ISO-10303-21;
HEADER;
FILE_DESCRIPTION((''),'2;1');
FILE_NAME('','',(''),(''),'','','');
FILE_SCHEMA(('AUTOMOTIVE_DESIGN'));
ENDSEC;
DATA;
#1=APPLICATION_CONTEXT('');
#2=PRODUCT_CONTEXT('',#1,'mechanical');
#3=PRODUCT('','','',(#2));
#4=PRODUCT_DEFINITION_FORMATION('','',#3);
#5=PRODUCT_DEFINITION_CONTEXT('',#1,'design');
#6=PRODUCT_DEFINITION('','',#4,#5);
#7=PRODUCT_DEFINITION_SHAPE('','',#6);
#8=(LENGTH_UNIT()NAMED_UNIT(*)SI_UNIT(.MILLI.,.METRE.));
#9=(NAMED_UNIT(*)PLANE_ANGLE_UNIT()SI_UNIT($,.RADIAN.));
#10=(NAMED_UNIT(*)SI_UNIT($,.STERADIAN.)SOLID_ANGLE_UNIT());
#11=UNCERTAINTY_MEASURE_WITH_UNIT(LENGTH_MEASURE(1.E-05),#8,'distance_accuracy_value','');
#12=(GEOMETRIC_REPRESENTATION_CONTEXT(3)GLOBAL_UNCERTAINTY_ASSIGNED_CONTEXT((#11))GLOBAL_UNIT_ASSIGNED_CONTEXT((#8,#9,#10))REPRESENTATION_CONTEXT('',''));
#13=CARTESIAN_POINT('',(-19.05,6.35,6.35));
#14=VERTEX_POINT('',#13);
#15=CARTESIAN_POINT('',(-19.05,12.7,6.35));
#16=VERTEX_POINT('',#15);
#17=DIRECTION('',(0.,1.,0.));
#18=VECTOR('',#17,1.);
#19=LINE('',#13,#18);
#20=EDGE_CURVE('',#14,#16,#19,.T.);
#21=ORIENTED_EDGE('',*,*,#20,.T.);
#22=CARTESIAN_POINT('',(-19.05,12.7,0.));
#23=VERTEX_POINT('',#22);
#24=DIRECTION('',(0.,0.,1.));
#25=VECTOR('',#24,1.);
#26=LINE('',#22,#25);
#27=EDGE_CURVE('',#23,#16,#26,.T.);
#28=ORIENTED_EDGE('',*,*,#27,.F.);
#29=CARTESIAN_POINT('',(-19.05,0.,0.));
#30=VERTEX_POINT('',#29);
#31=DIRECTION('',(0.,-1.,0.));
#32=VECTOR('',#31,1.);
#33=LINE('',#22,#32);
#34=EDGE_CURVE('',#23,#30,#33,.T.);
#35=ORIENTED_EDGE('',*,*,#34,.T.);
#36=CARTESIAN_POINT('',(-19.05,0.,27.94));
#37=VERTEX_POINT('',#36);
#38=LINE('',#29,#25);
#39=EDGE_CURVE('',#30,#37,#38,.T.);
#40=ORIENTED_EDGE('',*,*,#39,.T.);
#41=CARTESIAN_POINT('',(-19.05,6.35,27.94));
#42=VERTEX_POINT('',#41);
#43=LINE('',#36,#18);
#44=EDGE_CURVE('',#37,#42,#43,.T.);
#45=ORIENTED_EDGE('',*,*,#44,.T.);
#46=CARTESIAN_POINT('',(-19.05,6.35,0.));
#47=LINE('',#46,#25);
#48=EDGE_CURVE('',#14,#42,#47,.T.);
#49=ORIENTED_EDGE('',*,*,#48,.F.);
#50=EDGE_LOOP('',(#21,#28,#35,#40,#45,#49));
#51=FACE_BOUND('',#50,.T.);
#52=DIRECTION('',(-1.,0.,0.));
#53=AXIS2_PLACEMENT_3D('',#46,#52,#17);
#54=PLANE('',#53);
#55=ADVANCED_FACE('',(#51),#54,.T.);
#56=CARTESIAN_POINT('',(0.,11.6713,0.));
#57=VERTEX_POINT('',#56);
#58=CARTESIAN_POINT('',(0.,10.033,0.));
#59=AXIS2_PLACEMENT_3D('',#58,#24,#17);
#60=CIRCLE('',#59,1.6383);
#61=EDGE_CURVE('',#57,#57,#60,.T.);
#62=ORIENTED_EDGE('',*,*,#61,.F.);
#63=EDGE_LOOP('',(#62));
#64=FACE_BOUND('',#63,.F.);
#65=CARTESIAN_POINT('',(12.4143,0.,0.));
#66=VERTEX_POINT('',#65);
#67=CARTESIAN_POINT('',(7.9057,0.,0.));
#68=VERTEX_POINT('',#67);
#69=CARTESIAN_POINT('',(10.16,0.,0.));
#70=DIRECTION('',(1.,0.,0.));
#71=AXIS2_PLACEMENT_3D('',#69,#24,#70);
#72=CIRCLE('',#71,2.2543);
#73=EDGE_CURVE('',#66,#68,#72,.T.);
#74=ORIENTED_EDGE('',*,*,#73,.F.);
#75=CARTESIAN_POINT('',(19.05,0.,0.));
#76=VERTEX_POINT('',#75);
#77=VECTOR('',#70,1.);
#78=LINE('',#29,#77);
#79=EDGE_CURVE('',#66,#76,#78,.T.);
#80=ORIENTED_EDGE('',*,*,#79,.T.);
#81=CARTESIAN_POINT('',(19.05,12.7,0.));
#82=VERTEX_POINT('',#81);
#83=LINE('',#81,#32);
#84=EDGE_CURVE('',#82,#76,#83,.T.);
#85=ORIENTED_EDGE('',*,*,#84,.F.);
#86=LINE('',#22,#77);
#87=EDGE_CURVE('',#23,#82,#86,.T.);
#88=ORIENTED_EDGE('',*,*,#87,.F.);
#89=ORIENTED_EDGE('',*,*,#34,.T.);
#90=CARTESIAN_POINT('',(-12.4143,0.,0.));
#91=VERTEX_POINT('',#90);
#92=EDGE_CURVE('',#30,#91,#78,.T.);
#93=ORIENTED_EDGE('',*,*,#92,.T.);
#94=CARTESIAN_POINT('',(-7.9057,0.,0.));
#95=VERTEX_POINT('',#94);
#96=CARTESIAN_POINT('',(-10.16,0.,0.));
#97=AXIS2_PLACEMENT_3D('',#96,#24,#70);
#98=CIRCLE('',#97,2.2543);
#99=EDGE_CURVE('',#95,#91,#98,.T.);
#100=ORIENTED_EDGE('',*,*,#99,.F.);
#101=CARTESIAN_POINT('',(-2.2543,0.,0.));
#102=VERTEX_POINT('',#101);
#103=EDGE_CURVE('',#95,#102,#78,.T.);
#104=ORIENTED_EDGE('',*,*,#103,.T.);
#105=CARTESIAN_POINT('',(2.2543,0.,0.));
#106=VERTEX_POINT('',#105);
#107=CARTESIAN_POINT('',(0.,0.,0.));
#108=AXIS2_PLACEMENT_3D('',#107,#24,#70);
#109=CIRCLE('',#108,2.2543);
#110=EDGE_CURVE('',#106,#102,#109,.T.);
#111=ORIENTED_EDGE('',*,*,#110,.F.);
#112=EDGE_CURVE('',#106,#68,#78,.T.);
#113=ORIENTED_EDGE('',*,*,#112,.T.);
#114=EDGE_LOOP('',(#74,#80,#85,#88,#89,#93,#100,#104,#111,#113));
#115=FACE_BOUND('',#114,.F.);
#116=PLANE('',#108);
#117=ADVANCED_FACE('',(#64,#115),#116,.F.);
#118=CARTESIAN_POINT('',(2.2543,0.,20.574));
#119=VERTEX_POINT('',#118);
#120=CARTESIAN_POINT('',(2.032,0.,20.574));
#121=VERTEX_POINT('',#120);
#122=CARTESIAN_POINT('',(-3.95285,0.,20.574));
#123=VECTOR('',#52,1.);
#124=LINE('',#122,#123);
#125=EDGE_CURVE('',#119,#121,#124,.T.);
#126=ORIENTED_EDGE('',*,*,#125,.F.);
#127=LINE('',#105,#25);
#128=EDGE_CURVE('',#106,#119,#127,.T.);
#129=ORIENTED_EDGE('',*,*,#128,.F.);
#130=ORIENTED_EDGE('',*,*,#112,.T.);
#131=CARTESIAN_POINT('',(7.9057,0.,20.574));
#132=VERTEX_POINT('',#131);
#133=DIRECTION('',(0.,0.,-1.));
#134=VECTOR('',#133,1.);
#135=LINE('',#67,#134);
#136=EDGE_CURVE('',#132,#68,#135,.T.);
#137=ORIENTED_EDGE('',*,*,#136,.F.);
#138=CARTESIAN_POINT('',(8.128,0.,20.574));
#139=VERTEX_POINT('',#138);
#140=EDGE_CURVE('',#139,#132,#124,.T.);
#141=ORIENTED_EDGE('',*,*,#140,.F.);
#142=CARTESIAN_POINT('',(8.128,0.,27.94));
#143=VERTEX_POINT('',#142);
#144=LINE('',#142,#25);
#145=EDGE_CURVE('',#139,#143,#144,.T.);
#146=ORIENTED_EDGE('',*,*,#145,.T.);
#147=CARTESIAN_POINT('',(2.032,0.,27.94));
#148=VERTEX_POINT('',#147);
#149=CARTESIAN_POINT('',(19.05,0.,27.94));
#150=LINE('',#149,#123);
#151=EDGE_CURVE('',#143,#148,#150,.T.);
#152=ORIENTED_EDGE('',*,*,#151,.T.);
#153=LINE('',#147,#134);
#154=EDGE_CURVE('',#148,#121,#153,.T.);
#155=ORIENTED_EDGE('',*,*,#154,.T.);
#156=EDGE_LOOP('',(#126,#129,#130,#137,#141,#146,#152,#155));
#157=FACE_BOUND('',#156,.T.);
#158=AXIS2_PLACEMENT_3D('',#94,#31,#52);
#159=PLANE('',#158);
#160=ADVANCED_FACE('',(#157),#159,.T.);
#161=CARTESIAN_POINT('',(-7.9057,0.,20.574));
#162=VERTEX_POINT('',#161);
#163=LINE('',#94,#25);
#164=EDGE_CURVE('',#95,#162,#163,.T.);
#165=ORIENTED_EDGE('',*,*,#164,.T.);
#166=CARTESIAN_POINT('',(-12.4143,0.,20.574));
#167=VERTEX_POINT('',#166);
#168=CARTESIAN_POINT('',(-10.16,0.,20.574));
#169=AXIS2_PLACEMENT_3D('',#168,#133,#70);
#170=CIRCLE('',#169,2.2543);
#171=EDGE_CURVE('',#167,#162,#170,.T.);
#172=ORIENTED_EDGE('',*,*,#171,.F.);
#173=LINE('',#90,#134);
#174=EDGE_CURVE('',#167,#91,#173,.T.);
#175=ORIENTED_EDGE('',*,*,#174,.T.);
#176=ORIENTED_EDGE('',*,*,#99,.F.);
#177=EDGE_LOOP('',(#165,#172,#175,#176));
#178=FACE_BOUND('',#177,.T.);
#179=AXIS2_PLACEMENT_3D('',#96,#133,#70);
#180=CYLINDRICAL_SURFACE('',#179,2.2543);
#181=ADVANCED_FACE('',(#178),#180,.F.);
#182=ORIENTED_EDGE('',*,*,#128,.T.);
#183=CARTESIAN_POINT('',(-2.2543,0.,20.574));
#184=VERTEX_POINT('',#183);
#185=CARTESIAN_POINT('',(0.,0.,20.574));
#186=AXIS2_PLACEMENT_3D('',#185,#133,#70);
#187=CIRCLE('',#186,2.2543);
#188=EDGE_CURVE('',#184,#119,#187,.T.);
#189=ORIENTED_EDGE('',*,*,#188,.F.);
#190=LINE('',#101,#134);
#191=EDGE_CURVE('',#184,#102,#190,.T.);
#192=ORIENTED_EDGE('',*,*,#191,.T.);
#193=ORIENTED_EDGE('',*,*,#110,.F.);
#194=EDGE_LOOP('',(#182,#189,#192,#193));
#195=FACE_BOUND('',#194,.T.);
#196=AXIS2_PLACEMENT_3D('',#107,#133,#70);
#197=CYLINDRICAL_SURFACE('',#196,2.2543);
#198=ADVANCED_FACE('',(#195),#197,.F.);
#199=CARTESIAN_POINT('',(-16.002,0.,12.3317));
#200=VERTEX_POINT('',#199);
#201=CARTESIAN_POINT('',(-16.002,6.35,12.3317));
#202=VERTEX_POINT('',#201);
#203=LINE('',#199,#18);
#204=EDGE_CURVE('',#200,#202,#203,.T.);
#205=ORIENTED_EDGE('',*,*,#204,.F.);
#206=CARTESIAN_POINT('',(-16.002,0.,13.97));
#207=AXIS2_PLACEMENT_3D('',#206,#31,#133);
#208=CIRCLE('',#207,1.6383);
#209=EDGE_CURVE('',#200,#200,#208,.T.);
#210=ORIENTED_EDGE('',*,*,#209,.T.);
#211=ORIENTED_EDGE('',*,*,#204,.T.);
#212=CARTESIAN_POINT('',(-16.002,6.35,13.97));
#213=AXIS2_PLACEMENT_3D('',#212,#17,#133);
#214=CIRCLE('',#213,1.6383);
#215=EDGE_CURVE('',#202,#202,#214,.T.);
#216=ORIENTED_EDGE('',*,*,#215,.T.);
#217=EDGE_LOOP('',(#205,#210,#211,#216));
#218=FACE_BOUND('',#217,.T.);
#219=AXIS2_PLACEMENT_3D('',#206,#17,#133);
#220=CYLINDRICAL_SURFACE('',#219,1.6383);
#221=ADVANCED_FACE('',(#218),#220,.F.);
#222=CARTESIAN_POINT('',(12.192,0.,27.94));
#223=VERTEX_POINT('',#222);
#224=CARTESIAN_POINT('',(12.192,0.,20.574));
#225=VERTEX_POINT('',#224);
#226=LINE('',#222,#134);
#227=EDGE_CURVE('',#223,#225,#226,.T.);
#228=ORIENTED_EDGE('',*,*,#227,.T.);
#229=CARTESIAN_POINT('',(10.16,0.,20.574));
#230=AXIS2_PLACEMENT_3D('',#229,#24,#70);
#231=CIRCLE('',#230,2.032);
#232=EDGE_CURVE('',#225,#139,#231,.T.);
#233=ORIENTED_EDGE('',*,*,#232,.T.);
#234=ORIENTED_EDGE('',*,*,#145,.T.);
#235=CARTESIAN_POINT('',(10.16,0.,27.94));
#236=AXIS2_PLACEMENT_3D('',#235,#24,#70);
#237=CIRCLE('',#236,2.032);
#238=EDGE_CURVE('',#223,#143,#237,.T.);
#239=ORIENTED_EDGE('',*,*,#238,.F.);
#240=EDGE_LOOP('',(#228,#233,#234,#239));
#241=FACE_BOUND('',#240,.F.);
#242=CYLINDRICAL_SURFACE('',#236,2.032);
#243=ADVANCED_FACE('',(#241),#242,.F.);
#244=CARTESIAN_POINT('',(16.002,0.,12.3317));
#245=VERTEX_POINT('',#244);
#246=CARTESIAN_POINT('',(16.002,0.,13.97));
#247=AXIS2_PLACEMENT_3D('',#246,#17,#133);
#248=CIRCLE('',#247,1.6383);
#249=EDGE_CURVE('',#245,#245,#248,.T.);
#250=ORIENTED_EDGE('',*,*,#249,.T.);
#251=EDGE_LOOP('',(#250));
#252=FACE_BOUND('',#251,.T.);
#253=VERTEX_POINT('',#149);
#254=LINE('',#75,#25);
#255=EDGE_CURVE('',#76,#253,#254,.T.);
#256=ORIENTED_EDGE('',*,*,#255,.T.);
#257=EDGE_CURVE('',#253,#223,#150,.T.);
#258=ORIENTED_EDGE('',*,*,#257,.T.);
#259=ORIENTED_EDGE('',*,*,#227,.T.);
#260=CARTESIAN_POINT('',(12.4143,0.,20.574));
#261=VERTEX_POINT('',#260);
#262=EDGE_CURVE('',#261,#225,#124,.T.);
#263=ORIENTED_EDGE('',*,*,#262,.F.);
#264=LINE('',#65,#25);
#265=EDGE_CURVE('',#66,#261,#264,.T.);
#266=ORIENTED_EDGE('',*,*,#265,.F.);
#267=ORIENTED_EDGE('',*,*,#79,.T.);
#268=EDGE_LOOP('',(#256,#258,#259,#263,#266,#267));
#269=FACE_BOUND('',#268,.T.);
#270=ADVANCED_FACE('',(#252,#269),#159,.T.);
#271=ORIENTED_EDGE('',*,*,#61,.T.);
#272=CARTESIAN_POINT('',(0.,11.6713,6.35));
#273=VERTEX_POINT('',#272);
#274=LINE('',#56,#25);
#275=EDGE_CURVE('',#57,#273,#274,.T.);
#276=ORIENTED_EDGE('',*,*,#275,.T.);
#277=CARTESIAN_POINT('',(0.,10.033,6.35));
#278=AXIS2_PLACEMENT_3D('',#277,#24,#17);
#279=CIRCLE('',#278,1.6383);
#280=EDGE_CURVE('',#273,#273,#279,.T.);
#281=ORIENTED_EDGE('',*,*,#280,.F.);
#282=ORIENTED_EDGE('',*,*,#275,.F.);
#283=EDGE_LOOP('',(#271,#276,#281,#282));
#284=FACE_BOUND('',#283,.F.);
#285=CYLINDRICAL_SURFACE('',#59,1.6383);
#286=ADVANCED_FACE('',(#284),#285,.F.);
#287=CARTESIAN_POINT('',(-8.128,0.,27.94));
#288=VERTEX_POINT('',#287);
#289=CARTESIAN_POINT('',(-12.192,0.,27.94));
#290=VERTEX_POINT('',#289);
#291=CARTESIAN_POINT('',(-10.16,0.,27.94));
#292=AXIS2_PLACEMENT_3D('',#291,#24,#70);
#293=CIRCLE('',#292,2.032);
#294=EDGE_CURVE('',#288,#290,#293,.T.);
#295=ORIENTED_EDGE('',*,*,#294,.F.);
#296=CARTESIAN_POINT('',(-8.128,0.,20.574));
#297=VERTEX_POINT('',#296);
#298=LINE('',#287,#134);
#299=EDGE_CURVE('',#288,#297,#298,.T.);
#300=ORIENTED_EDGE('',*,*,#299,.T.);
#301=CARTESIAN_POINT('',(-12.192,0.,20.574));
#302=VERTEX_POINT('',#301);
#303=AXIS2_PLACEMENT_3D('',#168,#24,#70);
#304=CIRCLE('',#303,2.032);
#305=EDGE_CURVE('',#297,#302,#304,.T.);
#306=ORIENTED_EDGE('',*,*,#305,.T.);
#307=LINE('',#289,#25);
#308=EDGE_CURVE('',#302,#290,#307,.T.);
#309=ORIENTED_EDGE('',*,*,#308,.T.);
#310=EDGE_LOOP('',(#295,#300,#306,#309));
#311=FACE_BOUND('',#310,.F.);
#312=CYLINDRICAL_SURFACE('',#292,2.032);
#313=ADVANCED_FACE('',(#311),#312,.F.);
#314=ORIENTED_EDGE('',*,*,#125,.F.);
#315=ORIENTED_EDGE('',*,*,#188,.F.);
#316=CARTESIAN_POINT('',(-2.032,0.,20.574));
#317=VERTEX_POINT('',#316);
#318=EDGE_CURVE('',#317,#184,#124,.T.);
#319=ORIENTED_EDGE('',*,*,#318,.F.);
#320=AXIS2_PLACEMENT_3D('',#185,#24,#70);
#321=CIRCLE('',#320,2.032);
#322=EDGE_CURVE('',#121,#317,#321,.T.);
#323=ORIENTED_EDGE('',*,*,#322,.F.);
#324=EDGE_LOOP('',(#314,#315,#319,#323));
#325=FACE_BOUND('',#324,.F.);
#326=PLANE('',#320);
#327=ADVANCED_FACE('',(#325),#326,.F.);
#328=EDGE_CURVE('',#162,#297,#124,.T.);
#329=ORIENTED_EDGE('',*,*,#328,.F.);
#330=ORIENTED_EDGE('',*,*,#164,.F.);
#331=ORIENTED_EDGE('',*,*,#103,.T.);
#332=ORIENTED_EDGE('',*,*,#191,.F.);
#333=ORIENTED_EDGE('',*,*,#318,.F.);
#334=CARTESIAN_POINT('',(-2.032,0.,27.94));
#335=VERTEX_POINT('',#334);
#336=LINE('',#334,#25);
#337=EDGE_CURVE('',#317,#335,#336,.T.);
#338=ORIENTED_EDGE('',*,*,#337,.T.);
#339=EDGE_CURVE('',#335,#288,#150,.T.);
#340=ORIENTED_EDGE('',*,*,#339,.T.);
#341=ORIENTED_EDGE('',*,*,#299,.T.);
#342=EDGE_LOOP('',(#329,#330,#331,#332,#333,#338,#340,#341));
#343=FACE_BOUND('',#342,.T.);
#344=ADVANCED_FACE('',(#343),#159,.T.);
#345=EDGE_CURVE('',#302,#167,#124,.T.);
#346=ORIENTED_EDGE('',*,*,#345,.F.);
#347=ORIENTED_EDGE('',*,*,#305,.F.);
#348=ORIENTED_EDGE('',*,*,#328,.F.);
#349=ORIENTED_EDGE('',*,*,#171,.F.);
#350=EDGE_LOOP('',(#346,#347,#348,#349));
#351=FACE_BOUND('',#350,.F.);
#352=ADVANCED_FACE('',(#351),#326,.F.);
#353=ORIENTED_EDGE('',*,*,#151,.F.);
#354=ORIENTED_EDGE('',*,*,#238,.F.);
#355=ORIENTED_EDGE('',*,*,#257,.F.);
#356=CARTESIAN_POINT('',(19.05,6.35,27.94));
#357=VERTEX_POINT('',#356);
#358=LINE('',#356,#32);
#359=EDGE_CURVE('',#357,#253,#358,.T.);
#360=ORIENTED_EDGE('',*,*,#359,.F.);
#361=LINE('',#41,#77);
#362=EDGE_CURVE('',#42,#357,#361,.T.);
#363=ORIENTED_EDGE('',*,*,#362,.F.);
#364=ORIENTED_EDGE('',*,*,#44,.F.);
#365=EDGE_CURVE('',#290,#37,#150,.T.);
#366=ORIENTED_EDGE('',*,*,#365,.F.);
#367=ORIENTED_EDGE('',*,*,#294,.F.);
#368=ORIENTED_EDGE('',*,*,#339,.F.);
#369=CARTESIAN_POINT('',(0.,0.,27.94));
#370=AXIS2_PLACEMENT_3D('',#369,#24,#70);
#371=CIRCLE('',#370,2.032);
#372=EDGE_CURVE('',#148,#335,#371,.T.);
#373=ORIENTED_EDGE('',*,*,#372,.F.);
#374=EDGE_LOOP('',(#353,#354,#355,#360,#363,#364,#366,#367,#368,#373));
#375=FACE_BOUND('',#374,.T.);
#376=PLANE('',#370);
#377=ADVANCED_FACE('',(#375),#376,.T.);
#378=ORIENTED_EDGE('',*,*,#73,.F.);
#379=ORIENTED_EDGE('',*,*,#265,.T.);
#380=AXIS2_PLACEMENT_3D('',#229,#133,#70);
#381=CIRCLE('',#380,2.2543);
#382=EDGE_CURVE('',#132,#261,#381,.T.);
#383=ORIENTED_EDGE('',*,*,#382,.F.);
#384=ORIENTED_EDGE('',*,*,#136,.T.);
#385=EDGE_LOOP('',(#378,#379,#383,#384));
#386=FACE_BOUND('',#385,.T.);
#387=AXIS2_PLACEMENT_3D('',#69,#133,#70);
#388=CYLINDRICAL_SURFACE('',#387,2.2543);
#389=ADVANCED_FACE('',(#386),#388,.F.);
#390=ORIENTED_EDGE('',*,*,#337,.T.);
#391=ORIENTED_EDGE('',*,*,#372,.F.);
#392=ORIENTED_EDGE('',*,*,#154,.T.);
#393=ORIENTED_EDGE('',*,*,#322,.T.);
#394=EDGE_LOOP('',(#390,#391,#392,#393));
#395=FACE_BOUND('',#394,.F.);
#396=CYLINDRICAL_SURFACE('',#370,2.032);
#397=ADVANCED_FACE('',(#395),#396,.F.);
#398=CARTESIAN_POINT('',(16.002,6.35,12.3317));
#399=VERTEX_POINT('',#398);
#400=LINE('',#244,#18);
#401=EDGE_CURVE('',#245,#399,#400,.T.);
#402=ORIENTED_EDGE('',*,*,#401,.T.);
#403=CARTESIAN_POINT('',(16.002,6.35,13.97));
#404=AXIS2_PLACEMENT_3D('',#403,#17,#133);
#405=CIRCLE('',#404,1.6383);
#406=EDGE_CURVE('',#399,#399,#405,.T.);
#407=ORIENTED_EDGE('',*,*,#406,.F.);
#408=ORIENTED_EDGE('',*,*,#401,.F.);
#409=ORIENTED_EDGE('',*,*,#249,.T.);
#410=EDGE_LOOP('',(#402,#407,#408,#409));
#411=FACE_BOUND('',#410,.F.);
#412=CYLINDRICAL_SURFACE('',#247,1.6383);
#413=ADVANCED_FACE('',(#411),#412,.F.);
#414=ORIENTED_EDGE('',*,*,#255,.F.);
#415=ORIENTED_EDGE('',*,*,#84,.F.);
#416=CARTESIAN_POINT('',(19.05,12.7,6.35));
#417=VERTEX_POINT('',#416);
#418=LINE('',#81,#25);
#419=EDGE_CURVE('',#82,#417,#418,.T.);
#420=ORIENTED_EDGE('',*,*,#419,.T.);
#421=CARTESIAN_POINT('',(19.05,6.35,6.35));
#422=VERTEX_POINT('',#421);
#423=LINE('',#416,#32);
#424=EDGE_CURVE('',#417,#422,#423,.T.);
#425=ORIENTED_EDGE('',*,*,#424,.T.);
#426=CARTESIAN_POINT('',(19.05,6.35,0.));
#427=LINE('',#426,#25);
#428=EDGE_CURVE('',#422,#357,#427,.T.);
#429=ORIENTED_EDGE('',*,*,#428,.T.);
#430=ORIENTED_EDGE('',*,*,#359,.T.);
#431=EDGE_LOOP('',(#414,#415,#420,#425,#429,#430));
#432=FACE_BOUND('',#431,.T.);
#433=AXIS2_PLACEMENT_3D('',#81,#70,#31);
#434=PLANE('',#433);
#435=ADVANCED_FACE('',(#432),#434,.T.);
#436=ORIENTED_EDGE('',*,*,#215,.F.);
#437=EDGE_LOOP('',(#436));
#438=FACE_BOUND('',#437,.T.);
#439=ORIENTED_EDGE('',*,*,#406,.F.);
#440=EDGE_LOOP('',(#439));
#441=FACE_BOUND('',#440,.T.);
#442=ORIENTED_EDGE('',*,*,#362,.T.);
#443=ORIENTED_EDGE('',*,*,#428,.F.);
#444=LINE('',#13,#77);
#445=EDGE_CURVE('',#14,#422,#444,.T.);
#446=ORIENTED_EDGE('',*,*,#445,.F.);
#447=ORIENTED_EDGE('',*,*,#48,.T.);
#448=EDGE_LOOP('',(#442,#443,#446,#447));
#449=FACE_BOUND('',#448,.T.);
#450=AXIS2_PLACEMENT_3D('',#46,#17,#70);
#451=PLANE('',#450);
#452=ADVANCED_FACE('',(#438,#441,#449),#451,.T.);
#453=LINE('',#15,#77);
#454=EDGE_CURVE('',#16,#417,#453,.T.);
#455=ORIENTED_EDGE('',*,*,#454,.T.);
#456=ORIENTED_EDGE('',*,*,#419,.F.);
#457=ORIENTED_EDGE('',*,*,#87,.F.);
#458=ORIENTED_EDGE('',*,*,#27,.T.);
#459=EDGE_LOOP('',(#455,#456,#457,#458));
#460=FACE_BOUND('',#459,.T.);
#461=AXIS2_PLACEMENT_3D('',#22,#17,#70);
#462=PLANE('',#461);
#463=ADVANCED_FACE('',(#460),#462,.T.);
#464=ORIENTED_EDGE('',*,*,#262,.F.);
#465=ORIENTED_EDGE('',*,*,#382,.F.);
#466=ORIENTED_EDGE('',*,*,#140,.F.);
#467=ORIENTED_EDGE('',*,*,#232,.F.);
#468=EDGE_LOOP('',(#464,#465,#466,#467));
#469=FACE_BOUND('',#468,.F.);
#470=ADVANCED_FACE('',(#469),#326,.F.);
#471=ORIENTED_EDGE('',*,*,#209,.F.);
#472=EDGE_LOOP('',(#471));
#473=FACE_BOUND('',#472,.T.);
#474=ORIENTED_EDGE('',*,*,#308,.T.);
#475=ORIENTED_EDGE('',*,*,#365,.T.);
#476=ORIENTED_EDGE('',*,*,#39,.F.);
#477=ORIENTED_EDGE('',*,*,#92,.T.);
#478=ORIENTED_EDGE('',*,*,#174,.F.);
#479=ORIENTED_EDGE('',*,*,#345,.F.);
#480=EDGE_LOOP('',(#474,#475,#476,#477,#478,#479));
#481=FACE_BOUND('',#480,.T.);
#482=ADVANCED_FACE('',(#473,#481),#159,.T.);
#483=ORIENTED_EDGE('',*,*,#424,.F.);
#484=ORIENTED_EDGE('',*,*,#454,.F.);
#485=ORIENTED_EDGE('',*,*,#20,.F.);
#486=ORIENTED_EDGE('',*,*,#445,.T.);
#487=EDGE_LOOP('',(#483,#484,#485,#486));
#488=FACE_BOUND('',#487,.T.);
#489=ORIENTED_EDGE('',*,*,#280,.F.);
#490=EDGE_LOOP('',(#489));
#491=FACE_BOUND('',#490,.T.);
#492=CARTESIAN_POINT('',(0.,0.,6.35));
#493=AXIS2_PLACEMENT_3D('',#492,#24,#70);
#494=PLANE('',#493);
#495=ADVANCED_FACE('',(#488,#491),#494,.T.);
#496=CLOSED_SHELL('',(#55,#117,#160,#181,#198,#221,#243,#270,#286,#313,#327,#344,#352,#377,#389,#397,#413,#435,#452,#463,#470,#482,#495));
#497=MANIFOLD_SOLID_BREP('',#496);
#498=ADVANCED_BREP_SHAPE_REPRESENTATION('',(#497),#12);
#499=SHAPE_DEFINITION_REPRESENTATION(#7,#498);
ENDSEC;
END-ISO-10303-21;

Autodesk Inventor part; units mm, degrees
ref_plane "YZ Plane" through (0, 0, 0) normal (1, 0, 0) x (0, 1, 0)
ref_plane "XZ Plane" through (0, 0, 0) normal (0, 1, 0) x (-1, 0, 0)
ref_plane "XY Plane" through (0, 0, 0) normal (0, 0, 1) x (1, 0, 0)
sketch "Sketch1" plane through (0, 0, 0) normal (0, 0, 1) x (1, 0, 0)
  circle A0 centre (-10.16, 0) radius 2.2543
  circle A1 centre (0, 0) radius 2.2543
  circle A2 centre (10.16, 0) radius 2.2543
  line L0 (-19.05, 6.35) -> (19.05, 6.35)
  line L1 (19.05, 6.35) -> (19.05, 0)
  line L2 (19.05, 0) -> (-19.05, 0)
  line L3 (-19.05, 0) -> (-19.05, 6.35)
  dimension "d0" = 4.5085
  dimension "d3" = 10.16
  dimension "d4" = 10.16
  dimension "d5" = 6.35
  dimension "d6" = 38.1
extrude "Extrusion1" add sketch "Sketch1" along normal blind 27.94 contours L2 A0 | A0 L2 L3 L0 L1 A2 A1 | A1 L2 | A2 L2 picked at (-10.9114, 0.6984) picked at (0.5625, 0.4983) picked at (9.4728, 0.529)
extrude "Extrusion2" cut sketch "Sketch1" along normal blind 20.574 contours L2 A0 | A0 L2 | L2 A1 | A1 L2 | L2 A2 | A2 L2
sketch "Sketch2" plane through (0, 0, 27.94) normal (0, 0, 1) x (1, 0, 0)
  circle A0 centre (0, 0) radius 2.2543 projected
  circle A1 centre (10.16, 0) radius 2.2543 projected
  circle A2 centre (-10.16, 0) radius 2.2543 projected
  circle A3 centre (-10.16, 0) radius 2.032
  circle A4 centre (0, 0) radius 2.032
  circle A5 centre (10.16, 0) radius 2.032
  dimension "d11" = 4.064
extrude "Extrusion3" cut sketch "Sketch2" against normal through all contours A3 | A4 | A5
sketch "Sketch3" plane through (0, 0, 0) normal (0, 1, 0) x (-1, 0, 0)
  point P0 (-16.002, 13.97)
  point P1 (0, 0)
  dimension "d38" = 13.97
  dimension "d39" = 16.002
hole "Hole1" at (16.002, 0, 13.97) direction (0, 1, 0) diameter 3.2766 end through all clearance for "Oval Head Machine Screw" size "#4" standard "Ansi Unified Screw Threads"
mirror "Mirror1" about plane through (0, 0, 0) normal (1, 0, 0) of "Hole1"
sketch "Sketch7" plane through (0, 0, 0) normal (0, 0, 1) x (1, 0, 0)
  line L0 (-19.05, 6.35) -> (19.05, 6.35) projected
  line L1 (19.05, 6.35) -> (-19.05, 6.35)
  line L2 (-19.05, 6.35) -> (-19.05, 12.7)
  line L3 (-19.05, 12.7) -> (19.05, 12.7)
  line L4 (19.05, 12.7) -> (19.05, 6.35)
  point P0 (0, 10.033)
  point P1 (0, 0)
  point P2 (0, 10.033)
  dimension "d40" = 6.35
  dimension "d41" = 3.683
extrude "Extrusion5" add sketch "Sketch7" along normal blind 6.35
hole "Hole2" at (0, 10.033, 0) direction (0, 0, 1) diameter 3.2766 end through all clearance for "Oval Head Machine Screw" size "#4" standard "Ansi Unified Screw Threads"
sketch "Sketch8" plane through (0, 0, 0) normal (0, 0, -1) x (-1, 0, 0)
  line L0 (19.05, 12.7) -> (19.05, 0) projected
  line L1 (-19.05, 12.7) -> (-19.05, 0) projected
  line L2 (-19.05, 12.7) -> (19.05, 12.7) projected
  line L3 (15.24, 0) -> (15.24, 16.51)
  line L4 (15.24, 16.51) -> (-22.86, 16.51)
  line L5 (-22.86, 16.51) -> (-22.86, 0)
  line L6 (-22.86, 0) -> (-19.05, 0)
  line L7 (19.05, 0) -> (15.24, 0)
  point P0 (19.05, 6.35)
  point P1 (-19.05, 6.35)
  dimension "d49" = 3.81
extrude "Extrusion6" [suppressed]
sketch "Sketch9" plane through (0, 0, 0) normal (0, 0, -1) x (-1, 0, 0)
  line L0 (19.05, 0) -> (19.05, 6.35) projected
  line L1 (-19.05, 6.35) -> (-19.05, 0) projected
  line L2 (-22.86, 0) -> (-22.86, 6.35)
  line L3 (22.86, 6.35) -> (22.86, 0)
  line L4 (-22.86, 0) -> (-19.05, 0)
  line L5 (19.05, 0) -> (22.86, 0)
  line L6 (-22.86, 6.35) -> (-19.05, 6.35)
  line L7 (19.05, 6.35) -> (22.86, 6.35)
  line L8 (-19.05, 6.35) -> (-19.05, 0)
  dimension "d48" = 3.81
extrude "Extrusion7" [suppressed]
equation "\"d49\" = FlangeWidth"
equation "\"d48\" = FlangeWidth"
equation "\"FlangeWidth\" = 3.81"
properties part number "keyhole holder-01"
